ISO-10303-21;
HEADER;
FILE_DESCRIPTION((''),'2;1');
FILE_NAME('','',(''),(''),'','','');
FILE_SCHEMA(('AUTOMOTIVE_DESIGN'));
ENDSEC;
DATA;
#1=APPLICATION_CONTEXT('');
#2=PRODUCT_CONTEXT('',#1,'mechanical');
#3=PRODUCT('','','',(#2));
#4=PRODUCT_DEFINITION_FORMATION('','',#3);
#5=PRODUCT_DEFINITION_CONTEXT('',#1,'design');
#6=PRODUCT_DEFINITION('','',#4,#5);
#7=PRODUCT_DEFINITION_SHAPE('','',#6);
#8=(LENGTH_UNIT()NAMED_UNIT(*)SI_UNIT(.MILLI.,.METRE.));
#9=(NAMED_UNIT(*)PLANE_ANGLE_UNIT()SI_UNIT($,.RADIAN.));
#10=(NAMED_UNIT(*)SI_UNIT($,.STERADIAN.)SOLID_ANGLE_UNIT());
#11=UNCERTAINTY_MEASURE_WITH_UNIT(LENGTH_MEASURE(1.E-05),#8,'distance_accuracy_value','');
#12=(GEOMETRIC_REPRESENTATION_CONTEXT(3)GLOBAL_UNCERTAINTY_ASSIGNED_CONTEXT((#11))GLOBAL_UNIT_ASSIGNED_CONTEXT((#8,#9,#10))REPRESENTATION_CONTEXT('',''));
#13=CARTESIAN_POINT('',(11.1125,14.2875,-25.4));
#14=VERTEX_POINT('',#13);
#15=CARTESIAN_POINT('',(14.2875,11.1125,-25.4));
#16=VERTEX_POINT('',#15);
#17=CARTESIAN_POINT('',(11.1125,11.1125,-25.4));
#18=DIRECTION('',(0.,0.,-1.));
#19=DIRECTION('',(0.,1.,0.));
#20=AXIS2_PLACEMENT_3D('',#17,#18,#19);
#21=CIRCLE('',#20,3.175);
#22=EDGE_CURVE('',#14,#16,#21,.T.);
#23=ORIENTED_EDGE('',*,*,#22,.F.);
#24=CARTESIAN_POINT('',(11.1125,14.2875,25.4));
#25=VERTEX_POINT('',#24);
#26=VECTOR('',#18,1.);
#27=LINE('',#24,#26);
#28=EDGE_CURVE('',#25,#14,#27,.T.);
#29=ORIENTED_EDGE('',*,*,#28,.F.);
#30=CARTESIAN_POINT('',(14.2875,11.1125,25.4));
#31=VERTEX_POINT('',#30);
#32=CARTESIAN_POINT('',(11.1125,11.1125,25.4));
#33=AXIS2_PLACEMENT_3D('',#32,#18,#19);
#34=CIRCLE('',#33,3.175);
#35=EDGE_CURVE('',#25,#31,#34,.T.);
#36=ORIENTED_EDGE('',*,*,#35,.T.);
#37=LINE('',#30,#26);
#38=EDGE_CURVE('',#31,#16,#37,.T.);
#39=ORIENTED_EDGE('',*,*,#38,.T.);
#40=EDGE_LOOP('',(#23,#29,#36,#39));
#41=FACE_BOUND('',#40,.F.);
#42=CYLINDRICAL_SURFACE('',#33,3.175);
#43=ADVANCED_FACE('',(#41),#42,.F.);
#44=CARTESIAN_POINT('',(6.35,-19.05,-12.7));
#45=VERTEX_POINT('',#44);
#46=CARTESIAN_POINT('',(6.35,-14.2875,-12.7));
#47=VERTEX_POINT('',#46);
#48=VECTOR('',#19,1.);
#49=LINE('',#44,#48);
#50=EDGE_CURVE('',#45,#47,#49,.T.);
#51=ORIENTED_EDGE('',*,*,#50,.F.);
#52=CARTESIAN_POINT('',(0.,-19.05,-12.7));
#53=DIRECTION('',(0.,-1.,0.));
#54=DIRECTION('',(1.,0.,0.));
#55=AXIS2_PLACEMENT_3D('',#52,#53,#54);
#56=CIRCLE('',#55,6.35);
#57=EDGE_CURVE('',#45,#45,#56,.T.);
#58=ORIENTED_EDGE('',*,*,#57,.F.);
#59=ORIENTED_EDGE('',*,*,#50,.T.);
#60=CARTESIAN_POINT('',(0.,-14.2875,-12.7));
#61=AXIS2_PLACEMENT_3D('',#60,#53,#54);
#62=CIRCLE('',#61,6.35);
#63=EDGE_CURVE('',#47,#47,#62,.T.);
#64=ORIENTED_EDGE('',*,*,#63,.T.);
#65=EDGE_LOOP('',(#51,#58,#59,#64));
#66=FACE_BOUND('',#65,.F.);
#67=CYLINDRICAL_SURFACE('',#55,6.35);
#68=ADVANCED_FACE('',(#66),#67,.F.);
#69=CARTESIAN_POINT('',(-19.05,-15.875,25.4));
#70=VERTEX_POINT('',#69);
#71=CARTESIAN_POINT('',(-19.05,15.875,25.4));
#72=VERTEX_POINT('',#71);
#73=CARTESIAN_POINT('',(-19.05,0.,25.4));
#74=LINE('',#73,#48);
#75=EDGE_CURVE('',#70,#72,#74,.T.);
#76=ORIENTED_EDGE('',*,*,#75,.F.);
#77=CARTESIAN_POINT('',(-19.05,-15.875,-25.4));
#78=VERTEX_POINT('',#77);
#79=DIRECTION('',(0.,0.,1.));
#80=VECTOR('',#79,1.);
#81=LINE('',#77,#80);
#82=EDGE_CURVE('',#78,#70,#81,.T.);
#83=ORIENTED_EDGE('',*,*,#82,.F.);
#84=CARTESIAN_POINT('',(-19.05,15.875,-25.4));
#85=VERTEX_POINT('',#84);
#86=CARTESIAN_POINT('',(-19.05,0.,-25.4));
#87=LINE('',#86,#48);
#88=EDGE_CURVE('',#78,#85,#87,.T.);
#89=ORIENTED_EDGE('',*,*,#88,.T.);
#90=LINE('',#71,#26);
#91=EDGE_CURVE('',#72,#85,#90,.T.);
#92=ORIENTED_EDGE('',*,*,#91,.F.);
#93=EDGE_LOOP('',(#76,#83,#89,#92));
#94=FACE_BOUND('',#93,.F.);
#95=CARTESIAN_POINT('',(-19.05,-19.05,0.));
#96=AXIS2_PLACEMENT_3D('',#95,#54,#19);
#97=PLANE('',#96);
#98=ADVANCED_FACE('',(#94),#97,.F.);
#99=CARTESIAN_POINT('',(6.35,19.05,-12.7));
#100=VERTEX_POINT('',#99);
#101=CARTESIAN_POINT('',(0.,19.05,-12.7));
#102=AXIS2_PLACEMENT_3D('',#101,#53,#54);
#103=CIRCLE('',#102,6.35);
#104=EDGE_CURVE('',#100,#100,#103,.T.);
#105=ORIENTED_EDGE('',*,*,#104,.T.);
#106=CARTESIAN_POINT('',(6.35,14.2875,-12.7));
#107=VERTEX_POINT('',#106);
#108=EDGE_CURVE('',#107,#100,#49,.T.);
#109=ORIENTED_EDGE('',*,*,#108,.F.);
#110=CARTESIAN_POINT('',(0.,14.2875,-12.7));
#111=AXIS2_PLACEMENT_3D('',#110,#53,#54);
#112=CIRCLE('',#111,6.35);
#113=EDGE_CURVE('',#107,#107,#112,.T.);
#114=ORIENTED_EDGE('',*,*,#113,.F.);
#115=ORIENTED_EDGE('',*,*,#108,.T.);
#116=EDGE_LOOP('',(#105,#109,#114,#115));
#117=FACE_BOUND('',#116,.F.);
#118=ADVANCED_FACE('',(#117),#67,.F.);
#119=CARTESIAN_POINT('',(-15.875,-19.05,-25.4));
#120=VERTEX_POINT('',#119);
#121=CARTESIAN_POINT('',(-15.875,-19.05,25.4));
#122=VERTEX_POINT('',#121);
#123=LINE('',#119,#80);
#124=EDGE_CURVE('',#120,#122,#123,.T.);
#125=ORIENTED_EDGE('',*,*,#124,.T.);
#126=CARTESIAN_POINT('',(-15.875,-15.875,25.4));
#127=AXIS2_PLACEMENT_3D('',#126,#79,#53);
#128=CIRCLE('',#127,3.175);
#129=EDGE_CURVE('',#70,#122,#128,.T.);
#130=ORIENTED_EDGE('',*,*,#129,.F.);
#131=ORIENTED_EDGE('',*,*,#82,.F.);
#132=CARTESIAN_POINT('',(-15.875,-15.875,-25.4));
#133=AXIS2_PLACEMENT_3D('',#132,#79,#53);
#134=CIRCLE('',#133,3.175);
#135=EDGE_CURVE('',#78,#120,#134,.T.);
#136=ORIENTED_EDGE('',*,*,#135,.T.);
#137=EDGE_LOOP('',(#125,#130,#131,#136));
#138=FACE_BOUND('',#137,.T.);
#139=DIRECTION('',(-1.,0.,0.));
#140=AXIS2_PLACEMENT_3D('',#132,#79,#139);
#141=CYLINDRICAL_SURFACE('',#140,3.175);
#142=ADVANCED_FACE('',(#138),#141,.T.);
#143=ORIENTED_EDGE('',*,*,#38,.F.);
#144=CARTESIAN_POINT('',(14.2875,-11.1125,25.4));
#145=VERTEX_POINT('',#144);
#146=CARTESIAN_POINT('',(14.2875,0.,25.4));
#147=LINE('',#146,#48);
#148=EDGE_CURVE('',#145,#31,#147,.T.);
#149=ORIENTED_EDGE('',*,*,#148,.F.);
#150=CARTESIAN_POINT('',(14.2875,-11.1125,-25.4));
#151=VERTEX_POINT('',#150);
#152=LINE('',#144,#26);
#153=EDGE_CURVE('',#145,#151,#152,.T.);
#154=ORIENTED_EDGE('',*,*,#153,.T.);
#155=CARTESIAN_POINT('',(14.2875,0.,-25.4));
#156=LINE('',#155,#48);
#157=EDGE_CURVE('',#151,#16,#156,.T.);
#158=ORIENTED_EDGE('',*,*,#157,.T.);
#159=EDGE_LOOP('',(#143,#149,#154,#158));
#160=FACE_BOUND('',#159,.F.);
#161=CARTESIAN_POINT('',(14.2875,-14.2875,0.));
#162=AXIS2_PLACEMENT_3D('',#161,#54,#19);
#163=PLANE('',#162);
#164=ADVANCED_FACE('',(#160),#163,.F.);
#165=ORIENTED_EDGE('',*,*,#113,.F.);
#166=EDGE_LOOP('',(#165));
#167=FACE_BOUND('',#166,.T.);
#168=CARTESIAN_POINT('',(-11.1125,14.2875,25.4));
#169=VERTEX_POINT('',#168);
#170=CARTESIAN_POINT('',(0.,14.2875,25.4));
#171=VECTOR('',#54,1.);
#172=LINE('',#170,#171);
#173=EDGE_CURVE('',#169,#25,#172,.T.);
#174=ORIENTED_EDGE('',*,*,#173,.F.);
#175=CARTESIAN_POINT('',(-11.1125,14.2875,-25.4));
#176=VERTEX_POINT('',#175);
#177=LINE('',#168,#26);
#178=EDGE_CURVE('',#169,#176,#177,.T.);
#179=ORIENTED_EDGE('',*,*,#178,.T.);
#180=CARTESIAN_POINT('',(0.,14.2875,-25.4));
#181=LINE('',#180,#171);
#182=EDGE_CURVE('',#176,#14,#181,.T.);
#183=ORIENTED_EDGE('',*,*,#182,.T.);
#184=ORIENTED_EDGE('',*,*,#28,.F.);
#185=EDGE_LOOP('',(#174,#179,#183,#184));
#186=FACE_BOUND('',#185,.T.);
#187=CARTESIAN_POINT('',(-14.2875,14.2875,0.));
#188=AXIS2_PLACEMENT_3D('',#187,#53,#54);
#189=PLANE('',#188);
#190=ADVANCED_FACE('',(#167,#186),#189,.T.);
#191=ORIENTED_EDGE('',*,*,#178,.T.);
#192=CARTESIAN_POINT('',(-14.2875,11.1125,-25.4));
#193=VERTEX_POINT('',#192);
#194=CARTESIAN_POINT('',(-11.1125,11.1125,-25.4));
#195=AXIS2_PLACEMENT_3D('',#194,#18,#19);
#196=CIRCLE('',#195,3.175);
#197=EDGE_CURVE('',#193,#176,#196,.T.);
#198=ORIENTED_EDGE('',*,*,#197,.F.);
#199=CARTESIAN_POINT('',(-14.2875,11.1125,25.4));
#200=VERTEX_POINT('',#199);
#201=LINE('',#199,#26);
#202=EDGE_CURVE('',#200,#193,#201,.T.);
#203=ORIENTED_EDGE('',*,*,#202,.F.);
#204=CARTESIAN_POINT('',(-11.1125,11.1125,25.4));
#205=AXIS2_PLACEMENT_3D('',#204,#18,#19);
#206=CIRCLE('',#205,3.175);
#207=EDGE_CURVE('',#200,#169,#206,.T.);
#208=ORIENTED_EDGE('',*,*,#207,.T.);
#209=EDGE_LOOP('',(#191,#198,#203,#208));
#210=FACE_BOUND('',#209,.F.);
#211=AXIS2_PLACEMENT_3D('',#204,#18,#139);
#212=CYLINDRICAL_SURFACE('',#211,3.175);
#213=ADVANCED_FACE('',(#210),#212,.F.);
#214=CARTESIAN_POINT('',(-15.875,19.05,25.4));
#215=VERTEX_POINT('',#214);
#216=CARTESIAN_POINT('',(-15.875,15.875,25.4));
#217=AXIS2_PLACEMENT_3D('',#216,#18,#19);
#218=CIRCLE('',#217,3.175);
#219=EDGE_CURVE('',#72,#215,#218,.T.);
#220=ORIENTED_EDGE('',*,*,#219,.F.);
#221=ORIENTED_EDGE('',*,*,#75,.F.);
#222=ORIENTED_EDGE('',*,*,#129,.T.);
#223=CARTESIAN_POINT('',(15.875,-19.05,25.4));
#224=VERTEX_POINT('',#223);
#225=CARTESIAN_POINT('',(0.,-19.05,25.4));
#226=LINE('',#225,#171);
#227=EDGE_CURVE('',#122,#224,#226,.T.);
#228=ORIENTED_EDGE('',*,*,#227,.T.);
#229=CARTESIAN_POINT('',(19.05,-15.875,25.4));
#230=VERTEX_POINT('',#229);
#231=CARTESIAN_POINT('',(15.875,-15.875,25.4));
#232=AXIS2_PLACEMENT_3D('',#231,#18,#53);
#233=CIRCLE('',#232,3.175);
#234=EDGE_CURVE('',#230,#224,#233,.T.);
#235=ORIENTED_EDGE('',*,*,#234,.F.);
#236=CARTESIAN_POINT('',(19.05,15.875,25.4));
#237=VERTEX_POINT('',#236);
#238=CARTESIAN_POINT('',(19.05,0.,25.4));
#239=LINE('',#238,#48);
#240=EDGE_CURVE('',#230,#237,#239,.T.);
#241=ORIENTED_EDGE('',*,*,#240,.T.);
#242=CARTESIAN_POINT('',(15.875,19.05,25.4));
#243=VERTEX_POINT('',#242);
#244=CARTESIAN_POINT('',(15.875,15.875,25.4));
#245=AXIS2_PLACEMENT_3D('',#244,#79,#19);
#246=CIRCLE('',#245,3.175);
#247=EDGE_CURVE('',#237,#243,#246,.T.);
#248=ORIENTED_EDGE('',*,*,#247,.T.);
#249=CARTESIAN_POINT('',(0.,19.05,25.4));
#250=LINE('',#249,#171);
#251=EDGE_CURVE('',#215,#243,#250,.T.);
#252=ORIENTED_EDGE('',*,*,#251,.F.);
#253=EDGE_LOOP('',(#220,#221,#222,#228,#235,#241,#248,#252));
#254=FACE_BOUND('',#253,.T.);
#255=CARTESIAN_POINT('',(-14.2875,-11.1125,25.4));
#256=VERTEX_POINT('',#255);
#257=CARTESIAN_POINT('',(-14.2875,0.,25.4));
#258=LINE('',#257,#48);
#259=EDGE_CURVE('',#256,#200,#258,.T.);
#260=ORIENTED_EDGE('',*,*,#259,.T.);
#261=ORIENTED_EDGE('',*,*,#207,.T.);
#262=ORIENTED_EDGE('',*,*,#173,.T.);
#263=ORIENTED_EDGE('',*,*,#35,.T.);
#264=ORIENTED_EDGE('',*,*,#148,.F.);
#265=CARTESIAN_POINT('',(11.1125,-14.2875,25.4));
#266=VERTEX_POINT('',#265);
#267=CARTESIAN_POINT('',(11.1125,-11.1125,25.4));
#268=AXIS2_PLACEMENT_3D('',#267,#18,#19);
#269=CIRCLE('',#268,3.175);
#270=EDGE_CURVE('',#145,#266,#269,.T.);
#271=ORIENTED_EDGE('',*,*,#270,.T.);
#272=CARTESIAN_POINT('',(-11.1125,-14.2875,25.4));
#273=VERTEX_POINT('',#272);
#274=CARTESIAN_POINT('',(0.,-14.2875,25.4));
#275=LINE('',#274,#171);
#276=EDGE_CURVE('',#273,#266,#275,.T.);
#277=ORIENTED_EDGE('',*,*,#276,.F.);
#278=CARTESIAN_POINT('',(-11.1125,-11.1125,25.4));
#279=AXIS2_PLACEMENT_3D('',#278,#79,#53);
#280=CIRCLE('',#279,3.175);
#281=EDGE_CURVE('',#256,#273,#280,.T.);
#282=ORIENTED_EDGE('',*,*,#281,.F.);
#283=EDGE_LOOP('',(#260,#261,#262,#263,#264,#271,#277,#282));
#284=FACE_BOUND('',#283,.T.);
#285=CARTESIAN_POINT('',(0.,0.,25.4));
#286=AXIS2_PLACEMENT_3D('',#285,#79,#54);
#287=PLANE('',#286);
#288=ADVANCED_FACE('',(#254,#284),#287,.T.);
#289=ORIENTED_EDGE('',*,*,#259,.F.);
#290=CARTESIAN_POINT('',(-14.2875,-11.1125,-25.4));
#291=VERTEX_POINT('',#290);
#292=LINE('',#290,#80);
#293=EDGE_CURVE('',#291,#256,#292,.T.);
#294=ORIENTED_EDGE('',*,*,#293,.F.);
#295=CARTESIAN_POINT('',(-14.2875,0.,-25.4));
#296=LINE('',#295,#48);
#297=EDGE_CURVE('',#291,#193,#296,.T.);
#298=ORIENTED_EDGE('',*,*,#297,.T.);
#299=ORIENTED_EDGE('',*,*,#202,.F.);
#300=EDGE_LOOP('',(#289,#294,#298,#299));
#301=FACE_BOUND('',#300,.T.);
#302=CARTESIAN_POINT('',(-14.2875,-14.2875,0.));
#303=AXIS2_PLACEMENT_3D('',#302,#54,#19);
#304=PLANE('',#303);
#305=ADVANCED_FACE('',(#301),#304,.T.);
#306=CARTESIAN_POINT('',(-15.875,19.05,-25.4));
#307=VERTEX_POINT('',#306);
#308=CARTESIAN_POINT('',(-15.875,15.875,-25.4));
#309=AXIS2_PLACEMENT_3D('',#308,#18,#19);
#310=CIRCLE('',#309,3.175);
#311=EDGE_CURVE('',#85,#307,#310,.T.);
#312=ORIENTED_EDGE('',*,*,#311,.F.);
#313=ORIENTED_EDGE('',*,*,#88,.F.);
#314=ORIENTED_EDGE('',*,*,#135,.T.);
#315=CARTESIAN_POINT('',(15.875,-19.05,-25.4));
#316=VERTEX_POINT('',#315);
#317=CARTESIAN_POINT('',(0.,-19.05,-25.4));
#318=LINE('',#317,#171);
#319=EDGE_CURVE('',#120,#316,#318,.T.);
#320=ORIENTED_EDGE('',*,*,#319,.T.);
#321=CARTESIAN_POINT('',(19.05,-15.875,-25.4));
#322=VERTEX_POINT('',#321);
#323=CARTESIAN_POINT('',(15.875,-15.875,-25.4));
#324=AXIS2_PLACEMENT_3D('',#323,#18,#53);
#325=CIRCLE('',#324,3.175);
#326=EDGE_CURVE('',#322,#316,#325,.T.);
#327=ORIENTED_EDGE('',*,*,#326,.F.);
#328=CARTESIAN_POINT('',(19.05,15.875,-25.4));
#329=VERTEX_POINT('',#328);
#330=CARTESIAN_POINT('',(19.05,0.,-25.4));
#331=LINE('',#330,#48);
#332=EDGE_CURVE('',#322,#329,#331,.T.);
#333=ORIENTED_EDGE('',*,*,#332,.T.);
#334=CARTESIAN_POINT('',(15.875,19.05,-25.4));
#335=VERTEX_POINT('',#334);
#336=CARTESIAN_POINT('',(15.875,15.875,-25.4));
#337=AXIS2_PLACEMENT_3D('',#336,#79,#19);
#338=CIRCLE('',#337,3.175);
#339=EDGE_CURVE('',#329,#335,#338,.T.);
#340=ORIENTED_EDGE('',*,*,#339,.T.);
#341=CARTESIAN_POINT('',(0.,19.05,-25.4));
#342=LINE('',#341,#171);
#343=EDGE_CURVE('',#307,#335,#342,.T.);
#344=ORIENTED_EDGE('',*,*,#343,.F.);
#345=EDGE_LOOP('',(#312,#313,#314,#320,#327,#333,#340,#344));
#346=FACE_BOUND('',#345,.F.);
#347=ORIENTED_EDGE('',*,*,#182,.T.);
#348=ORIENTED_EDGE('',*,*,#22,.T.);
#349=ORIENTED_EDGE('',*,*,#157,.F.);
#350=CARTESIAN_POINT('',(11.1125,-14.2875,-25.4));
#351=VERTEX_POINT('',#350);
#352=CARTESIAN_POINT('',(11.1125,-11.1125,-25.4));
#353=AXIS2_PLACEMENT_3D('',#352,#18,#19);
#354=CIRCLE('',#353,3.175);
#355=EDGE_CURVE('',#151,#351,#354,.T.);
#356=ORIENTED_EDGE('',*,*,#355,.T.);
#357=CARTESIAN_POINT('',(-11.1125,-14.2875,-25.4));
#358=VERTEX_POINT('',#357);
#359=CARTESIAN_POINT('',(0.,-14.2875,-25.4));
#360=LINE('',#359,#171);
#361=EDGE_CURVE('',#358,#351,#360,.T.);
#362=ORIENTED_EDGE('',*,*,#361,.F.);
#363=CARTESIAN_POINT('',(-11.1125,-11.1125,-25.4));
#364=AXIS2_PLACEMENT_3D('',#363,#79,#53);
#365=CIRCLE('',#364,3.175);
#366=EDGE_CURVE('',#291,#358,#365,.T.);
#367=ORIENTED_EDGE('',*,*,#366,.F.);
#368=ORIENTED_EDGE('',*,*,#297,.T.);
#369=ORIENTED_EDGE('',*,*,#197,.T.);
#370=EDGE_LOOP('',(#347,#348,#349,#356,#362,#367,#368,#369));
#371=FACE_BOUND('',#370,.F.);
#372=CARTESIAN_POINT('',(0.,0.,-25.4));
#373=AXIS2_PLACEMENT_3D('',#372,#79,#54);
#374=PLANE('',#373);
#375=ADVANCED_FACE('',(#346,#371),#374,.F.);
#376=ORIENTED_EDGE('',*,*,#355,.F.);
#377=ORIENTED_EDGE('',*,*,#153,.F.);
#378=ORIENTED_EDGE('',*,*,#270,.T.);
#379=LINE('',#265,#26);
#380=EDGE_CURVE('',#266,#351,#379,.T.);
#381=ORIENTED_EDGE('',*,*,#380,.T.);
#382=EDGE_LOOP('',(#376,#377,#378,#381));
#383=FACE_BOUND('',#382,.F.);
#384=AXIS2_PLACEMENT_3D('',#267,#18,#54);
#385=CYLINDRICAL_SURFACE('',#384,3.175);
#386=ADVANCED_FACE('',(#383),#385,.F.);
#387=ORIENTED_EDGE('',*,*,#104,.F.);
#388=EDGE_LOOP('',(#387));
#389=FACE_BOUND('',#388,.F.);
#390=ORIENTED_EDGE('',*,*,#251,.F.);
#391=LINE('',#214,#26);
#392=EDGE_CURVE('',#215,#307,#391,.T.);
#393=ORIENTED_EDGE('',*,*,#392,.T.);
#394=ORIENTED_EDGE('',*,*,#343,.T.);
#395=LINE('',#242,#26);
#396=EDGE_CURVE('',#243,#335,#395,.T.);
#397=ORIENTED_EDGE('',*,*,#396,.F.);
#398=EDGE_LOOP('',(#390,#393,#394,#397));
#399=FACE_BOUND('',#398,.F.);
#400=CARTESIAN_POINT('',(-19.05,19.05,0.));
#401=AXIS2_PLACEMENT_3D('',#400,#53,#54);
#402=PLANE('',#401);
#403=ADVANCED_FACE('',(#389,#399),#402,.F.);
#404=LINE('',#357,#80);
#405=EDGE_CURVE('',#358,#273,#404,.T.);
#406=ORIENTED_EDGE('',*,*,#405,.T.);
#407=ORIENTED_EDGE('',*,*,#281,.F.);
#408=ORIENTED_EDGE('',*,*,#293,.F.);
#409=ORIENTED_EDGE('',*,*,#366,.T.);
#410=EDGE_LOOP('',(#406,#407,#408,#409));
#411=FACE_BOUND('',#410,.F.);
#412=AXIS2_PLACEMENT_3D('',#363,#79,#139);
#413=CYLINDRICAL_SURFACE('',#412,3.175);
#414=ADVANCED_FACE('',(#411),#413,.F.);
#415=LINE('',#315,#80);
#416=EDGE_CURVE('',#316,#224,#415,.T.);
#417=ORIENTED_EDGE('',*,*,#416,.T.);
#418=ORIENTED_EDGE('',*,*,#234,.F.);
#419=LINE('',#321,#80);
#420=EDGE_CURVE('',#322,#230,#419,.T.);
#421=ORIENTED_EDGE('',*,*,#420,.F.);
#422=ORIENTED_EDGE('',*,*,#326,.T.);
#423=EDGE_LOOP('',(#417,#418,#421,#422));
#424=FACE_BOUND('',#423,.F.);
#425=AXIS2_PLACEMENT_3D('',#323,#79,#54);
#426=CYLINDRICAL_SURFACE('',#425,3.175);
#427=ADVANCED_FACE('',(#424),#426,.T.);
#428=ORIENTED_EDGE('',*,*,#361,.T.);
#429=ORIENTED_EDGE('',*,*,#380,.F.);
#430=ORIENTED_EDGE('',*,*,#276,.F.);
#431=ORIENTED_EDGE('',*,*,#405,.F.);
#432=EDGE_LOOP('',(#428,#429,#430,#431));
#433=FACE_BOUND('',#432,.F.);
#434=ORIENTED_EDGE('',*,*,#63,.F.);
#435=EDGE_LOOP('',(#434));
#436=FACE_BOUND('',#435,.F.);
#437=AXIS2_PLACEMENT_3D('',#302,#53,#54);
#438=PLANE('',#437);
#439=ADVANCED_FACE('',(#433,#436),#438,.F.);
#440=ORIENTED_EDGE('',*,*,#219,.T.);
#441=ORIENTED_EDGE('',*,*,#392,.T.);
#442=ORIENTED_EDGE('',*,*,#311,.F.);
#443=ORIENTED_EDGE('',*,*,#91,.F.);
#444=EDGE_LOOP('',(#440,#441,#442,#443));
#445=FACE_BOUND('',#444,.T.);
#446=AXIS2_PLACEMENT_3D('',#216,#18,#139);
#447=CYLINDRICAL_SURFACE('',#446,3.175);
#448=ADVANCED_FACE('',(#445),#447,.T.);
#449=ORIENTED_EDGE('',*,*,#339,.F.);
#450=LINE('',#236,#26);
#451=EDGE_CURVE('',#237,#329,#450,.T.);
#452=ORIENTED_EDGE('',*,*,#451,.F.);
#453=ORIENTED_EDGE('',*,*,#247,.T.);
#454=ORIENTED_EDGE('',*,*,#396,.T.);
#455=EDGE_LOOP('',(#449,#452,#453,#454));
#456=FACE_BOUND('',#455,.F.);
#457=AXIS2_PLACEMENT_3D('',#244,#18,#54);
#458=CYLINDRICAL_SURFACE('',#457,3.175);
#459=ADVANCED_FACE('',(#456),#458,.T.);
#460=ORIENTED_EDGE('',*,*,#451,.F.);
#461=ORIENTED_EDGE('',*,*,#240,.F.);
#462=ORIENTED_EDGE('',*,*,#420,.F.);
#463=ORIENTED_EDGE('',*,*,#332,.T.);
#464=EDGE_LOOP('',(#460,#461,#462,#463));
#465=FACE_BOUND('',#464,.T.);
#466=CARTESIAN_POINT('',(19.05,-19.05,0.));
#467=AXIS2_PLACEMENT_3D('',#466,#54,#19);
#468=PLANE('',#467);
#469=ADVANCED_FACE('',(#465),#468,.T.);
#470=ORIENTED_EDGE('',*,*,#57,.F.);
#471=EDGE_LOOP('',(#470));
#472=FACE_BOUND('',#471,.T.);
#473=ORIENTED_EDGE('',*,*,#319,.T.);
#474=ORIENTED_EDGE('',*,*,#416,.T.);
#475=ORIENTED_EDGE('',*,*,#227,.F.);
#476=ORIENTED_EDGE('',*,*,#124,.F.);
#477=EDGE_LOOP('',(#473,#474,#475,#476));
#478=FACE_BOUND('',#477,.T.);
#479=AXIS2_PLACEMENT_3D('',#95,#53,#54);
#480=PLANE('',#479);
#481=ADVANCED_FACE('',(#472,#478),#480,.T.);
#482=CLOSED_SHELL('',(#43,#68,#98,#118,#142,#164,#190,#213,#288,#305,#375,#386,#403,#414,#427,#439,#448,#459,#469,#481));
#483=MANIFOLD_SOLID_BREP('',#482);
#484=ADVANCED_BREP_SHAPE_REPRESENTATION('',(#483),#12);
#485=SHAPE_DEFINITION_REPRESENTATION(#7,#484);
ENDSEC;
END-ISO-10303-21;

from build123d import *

# Parameters (mm, degrees)
F0_W     = 38.1
F0_H     = 38.1
F0_W_2   = 28.575
F0_H_2   = 28.575
F1_DEPTH = 25.4
F2_R     = 3.175
F3_R     = 6.35
F4_DEPTH = 38.1


with BuildPart() as f1:
    # F0 (on Top) → F1 (new body, symmetric)
    with BuildSketch(Plane.XY):
        Rectangle(F0_W, F0_H)
        Rectangle(F0_W_2, F0_H_2, mode=Mode.SUBTRACT)
    extrude(amount=F1_DEPTH, both=True)

    # F2
    f2_edges = [f1.edges().sort_by_distance(p)[0] for p in [
        (19.05, -19.05, 0),
        (-19.05, -19.05, 0),
        (-14.2875, 14.2875, 0),
        (14.2875, 14.2875, 0),
        (-19.05, 19.05, 0),
        (19.05, 19.05, 0),
        (-14.2875, -14.2875, 0),
        (14.2875, -14.2875, 0),
    ]]
    fillet(f2_edges, radius=F2_R)

    # F3 (on face) → F4 (cut, through all)
    with BuildSketch(Plane.XZ.offset(19.05)):
        with Locations((0, -12.7)):
            Circle(F3_R)
    extrude(amount=-F4_DEPTH, mode=Mode.SUBTRACT)


solid = f1.part
